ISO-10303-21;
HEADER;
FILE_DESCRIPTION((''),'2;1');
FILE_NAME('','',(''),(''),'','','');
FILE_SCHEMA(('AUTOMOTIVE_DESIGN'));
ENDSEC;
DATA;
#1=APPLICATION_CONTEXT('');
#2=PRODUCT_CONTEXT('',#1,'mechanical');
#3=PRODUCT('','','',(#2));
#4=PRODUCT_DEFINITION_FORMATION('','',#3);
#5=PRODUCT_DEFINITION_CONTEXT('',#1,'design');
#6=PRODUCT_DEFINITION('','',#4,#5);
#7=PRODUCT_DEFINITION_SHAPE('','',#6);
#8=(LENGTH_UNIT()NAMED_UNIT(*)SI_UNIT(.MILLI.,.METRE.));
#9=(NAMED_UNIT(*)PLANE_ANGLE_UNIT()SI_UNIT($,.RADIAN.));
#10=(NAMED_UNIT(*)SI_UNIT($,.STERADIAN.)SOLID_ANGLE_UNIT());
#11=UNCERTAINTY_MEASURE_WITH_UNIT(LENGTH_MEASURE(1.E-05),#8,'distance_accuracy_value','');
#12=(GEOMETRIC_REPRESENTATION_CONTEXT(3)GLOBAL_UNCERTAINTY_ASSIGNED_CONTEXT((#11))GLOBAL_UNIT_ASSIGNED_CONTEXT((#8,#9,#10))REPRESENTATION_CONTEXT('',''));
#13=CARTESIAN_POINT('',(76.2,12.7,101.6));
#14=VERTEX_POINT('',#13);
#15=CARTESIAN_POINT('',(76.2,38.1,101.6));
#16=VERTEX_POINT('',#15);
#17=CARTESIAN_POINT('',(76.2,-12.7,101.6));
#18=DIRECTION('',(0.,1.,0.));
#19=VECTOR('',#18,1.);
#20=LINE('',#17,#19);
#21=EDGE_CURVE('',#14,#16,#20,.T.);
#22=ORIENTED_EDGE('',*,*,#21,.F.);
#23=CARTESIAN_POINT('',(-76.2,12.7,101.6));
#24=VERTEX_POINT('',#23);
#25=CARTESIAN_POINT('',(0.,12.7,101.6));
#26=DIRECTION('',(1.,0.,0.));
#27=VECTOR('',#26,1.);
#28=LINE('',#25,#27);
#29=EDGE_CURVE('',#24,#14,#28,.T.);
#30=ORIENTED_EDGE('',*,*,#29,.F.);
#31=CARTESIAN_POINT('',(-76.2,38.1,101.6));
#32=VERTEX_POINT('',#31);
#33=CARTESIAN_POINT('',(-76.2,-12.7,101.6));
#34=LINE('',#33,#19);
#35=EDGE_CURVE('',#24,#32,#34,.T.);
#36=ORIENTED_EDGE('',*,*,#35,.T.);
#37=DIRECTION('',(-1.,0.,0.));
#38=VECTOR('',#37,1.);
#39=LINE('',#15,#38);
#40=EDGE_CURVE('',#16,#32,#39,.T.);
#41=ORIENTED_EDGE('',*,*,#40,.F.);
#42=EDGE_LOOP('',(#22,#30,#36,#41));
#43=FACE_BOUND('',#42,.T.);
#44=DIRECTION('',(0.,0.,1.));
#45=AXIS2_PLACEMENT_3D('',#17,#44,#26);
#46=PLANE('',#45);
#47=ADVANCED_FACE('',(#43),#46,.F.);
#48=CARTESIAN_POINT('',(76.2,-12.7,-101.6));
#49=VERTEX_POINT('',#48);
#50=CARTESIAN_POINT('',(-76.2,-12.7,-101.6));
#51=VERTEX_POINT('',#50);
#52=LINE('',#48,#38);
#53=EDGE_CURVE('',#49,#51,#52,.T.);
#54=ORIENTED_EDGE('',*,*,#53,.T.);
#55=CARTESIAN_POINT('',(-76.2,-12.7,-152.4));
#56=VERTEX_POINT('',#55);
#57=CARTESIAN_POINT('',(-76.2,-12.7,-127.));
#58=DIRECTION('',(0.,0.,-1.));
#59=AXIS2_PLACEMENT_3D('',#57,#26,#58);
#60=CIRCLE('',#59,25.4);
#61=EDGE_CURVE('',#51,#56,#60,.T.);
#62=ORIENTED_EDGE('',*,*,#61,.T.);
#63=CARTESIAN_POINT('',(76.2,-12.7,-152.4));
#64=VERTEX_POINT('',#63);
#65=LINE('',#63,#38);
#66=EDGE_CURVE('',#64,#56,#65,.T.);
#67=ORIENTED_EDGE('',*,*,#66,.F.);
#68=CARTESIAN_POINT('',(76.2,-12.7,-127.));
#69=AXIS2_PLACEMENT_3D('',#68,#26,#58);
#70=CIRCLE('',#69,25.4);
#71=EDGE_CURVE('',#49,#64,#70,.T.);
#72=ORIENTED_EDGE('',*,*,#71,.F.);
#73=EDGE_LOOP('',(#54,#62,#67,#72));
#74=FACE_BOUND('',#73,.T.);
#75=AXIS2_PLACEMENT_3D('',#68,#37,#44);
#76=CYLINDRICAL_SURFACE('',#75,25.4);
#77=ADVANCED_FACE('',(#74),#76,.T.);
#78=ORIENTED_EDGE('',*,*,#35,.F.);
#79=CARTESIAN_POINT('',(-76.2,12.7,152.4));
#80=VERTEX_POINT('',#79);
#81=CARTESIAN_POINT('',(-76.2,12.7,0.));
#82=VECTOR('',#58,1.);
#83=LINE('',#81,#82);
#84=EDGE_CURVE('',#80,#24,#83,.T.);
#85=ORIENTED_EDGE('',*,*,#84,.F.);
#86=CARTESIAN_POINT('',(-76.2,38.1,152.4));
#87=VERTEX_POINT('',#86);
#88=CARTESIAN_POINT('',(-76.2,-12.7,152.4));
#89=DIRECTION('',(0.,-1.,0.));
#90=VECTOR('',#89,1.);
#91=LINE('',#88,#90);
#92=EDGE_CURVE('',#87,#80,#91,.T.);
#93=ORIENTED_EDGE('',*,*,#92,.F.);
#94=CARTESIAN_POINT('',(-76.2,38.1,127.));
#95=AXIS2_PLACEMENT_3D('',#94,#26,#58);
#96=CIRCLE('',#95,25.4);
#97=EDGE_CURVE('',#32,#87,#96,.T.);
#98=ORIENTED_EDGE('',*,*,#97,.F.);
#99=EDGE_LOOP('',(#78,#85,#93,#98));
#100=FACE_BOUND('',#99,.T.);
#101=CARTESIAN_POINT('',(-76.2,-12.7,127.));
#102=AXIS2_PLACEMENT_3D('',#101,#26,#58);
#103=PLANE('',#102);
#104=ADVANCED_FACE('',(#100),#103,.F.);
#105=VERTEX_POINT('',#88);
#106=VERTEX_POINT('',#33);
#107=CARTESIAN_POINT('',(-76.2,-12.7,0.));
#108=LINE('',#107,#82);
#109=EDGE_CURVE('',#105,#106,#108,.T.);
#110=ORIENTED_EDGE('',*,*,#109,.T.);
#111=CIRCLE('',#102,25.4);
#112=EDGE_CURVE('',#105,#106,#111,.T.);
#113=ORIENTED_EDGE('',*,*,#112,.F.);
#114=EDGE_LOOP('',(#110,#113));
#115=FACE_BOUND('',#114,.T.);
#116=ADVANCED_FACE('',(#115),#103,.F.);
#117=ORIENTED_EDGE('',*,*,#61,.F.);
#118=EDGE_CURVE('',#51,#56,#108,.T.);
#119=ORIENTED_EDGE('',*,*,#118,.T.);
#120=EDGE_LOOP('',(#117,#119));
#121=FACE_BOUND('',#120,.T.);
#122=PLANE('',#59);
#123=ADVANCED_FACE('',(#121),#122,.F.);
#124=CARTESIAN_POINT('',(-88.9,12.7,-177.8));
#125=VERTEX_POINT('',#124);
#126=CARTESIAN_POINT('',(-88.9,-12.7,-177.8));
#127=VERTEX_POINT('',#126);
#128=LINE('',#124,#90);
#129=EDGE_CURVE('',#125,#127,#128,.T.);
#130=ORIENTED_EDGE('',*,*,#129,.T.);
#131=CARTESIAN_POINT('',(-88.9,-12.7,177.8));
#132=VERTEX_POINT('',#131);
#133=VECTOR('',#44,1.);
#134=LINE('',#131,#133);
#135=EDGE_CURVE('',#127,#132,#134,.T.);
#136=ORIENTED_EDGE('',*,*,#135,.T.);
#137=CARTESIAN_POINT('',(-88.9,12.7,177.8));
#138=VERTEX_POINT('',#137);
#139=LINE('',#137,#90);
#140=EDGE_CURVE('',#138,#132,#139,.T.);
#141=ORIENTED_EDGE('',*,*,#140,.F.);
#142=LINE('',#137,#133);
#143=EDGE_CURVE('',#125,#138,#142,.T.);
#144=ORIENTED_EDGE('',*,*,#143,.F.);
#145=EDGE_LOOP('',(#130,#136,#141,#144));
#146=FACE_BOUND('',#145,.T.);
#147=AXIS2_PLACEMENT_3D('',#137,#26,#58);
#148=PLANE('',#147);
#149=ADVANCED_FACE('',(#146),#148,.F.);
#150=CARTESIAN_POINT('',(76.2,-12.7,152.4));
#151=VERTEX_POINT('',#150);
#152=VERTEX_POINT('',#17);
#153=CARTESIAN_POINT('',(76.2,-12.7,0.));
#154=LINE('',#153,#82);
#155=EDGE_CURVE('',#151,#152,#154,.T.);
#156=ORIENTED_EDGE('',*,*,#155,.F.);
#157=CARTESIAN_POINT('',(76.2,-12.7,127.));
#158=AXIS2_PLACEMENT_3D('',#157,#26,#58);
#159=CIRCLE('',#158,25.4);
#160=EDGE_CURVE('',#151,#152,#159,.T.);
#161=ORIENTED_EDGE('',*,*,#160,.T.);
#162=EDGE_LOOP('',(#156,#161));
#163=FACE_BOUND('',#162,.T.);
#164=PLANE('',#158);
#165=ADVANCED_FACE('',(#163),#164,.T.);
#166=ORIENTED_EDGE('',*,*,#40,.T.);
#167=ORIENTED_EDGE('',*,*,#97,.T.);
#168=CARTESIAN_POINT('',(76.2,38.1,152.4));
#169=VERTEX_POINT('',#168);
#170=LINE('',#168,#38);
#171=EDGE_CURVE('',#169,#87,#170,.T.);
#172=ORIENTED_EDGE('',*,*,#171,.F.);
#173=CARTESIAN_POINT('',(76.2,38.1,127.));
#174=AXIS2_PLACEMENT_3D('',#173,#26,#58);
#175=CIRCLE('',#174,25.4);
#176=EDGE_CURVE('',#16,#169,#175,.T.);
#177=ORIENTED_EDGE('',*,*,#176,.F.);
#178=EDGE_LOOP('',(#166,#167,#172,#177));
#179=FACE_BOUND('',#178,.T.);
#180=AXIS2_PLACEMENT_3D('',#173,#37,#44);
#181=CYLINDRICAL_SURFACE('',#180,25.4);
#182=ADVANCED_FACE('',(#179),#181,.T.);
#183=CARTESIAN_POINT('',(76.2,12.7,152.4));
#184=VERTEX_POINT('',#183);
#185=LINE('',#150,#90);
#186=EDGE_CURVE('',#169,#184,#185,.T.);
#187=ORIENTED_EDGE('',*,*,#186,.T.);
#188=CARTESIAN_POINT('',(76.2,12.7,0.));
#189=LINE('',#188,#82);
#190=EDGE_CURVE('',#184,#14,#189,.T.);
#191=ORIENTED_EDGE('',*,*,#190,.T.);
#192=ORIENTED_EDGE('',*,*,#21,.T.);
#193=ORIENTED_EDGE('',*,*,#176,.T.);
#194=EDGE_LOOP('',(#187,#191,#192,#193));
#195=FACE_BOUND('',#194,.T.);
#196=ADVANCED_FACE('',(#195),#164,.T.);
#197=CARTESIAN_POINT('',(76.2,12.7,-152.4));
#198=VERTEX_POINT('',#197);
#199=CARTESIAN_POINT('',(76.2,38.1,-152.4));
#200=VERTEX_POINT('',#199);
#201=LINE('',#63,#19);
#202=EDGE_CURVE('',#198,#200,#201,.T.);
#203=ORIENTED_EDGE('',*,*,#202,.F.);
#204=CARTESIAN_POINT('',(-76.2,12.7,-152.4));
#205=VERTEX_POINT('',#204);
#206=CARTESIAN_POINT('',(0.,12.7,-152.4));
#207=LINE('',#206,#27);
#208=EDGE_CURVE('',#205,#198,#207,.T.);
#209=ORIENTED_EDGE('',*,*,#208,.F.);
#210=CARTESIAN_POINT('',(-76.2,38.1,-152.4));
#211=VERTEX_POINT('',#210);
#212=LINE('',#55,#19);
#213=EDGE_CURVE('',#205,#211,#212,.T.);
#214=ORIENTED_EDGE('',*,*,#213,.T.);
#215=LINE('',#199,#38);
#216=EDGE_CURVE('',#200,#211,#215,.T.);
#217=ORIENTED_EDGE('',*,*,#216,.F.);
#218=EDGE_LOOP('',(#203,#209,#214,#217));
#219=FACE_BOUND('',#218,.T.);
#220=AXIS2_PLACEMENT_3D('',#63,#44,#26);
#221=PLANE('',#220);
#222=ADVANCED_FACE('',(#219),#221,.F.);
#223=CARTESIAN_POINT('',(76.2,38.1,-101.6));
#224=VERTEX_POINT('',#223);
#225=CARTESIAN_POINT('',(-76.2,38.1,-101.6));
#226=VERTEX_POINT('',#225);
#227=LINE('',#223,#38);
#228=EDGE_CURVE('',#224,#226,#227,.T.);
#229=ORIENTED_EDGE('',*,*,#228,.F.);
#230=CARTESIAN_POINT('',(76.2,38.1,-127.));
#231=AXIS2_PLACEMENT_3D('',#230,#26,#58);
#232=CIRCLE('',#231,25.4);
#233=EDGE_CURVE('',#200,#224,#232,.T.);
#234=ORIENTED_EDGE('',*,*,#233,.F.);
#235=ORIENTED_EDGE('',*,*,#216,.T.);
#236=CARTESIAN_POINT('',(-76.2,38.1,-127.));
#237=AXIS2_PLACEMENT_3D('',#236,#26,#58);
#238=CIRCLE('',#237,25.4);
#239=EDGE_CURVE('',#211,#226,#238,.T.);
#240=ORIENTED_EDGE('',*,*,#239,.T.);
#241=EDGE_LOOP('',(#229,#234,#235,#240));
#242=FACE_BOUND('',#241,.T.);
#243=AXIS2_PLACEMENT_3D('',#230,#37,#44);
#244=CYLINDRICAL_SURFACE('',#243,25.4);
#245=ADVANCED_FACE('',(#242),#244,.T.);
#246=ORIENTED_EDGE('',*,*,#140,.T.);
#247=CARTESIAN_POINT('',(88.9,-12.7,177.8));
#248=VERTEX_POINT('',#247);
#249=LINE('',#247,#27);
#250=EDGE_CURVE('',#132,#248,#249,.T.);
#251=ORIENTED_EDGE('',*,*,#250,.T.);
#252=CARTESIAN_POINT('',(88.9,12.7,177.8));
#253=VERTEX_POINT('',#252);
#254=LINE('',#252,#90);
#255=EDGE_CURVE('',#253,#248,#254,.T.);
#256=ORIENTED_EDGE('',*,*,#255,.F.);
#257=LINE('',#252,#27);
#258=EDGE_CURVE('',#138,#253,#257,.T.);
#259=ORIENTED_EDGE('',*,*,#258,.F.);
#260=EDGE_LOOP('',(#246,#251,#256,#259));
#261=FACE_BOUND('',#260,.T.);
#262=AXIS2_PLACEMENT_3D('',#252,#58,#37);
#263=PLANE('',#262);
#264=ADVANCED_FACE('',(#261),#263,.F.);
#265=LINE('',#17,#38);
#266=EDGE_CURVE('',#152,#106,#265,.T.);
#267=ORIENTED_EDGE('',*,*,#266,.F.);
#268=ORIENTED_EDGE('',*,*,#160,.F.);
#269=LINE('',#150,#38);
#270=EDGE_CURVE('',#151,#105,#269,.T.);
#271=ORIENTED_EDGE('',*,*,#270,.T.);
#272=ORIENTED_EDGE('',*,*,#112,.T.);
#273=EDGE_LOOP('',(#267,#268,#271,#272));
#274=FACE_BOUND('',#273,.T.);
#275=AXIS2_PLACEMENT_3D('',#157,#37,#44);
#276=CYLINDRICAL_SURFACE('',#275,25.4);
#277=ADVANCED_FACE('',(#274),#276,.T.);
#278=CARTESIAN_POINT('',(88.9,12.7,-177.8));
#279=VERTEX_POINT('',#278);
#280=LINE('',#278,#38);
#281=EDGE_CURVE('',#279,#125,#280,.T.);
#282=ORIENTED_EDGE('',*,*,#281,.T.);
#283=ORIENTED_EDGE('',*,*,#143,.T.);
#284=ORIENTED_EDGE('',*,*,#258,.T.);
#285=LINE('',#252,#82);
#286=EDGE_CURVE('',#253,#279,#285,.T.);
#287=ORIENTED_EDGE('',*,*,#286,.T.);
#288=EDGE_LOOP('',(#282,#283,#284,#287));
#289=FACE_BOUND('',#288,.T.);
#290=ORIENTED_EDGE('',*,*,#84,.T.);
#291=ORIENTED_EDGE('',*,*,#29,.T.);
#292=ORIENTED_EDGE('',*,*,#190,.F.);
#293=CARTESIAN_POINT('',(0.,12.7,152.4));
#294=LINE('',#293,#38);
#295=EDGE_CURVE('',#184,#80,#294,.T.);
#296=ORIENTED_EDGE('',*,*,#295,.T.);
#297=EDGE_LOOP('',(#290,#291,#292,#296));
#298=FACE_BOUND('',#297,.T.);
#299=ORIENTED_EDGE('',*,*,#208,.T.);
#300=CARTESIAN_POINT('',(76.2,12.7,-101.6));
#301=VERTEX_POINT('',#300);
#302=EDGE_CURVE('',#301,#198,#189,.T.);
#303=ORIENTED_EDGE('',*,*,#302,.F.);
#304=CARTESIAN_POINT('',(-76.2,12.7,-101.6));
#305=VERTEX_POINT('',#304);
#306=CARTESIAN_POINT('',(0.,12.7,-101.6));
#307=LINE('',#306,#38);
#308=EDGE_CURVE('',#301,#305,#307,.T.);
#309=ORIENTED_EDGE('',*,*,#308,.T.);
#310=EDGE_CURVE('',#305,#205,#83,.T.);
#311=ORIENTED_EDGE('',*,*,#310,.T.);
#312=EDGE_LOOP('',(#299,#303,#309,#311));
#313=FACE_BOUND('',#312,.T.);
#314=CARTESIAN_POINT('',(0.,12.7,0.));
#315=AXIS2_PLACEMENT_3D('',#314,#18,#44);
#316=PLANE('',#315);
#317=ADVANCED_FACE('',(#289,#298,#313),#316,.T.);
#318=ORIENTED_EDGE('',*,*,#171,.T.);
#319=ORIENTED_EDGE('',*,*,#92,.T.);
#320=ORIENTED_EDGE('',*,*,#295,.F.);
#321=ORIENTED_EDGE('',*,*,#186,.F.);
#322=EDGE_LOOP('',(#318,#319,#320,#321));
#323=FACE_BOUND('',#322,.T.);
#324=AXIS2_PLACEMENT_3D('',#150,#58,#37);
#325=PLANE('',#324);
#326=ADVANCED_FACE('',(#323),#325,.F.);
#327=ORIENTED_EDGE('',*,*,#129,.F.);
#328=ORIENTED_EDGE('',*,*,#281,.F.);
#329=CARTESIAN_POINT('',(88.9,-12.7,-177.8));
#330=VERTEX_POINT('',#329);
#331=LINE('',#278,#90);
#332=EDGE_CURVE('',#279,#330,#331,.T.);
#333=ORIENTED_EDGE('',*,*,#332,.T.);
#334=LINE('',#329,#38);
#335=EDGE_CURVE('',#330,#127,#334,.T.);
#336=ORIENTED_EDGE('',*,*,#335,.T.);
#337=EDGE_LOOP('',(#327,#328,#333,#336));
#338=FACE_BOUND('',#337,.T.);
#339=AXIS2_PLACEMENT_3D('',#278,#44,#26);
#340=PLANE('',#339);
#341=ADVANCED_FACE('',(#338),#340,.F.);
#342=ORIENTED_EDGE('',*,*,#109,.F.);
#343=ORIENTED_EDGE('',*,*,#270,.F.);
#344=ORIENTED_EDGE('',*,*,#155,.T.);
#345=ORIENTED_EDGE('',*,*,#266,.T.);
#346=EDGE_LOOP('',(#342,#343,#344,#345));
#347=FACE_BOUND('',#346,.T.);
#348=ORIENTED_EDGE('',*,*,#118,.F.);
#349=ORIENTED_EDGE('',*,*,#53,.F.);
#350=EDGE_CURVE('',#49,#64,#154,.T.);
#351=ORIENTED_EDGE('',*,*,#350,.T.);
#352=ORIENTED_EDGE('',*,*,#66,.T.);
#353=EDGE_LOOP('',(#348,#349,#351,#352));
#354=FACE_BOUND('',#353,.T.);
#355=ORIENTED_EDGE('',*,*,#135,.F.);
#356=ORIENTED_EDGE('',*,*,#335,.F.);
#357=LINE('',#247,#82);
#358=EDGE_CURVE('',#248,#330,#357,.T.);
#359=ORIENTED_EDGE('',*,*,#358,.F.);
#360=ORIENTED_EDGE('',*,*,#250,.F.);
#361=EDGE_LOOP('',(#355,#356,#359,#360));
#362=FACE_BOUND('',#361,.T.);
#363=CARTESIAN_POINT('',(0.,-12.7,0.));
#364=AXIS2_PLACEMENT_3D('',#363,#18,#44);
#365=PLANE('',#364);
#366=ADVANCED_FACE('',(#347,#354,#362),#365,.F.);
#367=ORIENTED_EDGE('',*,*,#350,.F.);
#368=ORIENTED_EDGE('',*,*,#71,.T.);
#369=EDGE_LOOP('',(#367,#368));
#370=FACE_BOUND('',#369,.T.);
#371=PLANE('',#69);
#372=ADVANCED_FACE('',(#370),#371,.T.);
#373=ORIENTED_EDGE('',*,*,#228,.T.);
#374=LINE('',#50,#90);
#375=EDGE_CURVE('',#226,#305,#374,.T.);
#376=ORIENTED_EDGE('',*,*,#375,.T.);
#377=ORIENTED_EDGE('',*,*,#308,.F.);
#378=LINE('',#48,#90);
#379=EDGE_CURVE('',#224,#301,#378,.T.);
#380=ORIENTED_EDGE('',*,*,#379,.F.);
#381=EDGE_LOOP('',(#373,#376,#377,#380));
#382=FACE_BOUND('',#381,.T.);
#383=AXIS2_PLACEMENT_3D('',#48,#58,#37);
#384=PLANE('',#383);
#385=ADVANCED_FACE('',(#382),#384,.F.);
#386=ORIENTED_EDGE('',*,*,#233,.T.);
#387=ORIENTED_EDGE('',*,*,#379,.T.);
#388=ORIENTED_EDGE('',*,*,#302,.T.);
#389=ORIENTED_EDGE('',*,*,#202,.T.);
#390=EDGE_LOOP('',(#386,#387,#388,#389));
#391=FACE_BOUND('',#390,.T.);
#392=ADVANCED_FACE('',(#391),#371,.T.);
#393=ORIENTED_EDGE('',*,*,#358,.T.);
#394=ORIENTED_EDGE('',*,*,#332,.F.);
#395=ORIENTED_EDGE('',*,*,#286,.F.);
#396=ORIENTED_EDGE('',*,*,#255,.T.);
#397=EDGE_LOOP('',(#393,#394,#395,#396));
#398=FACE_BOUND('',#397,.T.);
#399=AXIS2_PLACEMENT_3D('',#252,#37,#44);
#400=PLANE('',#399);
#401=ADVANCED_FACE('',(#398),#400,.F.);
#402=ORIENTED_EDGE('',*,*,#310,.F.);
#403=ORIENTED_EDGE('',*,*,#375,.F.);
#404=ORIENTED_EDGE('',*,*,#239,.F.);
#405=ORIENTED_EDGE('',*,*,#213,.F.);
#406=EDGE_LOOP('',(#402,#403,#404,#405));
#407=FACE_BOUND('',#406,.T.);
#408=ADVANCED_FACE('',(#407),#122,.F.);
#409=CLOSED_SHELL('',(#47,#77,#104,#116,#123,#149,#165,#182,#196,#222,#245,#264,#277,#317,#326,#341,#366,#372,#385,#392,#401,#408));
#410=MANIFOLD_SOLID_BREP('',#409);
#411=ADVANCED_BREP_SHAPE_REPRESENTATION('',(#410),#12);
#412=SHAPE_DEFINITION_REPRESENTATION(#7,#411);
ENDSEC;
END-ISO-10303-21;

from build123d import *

# Parameters (mm, degrees)
SKETCH1_W           = 177.8
SKETCH1_H           = 355.6
BOSS_EXTRUDE1_DEPTH = 12.7
BOSS_EXTRUDE2_DEPTH = 76.2


with BuildPart() as part:
    # Sketch1 → Boss-Extrude1 (new, symmetric)
    with BuildSketch(Plane(origin=(0, 0, 0), x_dir=(1, 0, 0), z_dir=(0, 1, 0))):
        Rectangle(SKETCH1_W, SKETCH1_H)
    extrude(amount=BOSS_EXTRUDE1_DEPTH, both=True)

    # Sketch2 → Boss-Extrude2 (add, symmetric)
    with BuildSketch(Plane(origin=(0, 0, 0), x_dir=(0, 0, -1), z_dir=(1, 0, 0))):
        with BuildLine():
            Line((-152.4, -12.7), (-152.4, 38.1))
            ThreePointArc((-152.4, 38.1), (-127, 63.5), (-101.6, 38.1))
            Line((-101.6, 38.1), (-101.6, -12.7))
            ThreePointArc((-101.6, -12.7), (-127, -38.1), (-152.4, -12.7))
        make_face()
        with BuildLine():
            Line((101.6, -12.7), (101.6, 38.1))
            ThreePointArc((101.6, 38.1), (127, 63.5), (152.4, 38.1))
            Line((152.4, 38.1), (152.4, -12.7))
            ThreePointArc((152.4, -12.7), (127, -38.1), (101.6, -12.7))
        make_face()
    extrude(amount=BOSS_EXTRUDE2_DEPTH, both=True)


solid = part.part
